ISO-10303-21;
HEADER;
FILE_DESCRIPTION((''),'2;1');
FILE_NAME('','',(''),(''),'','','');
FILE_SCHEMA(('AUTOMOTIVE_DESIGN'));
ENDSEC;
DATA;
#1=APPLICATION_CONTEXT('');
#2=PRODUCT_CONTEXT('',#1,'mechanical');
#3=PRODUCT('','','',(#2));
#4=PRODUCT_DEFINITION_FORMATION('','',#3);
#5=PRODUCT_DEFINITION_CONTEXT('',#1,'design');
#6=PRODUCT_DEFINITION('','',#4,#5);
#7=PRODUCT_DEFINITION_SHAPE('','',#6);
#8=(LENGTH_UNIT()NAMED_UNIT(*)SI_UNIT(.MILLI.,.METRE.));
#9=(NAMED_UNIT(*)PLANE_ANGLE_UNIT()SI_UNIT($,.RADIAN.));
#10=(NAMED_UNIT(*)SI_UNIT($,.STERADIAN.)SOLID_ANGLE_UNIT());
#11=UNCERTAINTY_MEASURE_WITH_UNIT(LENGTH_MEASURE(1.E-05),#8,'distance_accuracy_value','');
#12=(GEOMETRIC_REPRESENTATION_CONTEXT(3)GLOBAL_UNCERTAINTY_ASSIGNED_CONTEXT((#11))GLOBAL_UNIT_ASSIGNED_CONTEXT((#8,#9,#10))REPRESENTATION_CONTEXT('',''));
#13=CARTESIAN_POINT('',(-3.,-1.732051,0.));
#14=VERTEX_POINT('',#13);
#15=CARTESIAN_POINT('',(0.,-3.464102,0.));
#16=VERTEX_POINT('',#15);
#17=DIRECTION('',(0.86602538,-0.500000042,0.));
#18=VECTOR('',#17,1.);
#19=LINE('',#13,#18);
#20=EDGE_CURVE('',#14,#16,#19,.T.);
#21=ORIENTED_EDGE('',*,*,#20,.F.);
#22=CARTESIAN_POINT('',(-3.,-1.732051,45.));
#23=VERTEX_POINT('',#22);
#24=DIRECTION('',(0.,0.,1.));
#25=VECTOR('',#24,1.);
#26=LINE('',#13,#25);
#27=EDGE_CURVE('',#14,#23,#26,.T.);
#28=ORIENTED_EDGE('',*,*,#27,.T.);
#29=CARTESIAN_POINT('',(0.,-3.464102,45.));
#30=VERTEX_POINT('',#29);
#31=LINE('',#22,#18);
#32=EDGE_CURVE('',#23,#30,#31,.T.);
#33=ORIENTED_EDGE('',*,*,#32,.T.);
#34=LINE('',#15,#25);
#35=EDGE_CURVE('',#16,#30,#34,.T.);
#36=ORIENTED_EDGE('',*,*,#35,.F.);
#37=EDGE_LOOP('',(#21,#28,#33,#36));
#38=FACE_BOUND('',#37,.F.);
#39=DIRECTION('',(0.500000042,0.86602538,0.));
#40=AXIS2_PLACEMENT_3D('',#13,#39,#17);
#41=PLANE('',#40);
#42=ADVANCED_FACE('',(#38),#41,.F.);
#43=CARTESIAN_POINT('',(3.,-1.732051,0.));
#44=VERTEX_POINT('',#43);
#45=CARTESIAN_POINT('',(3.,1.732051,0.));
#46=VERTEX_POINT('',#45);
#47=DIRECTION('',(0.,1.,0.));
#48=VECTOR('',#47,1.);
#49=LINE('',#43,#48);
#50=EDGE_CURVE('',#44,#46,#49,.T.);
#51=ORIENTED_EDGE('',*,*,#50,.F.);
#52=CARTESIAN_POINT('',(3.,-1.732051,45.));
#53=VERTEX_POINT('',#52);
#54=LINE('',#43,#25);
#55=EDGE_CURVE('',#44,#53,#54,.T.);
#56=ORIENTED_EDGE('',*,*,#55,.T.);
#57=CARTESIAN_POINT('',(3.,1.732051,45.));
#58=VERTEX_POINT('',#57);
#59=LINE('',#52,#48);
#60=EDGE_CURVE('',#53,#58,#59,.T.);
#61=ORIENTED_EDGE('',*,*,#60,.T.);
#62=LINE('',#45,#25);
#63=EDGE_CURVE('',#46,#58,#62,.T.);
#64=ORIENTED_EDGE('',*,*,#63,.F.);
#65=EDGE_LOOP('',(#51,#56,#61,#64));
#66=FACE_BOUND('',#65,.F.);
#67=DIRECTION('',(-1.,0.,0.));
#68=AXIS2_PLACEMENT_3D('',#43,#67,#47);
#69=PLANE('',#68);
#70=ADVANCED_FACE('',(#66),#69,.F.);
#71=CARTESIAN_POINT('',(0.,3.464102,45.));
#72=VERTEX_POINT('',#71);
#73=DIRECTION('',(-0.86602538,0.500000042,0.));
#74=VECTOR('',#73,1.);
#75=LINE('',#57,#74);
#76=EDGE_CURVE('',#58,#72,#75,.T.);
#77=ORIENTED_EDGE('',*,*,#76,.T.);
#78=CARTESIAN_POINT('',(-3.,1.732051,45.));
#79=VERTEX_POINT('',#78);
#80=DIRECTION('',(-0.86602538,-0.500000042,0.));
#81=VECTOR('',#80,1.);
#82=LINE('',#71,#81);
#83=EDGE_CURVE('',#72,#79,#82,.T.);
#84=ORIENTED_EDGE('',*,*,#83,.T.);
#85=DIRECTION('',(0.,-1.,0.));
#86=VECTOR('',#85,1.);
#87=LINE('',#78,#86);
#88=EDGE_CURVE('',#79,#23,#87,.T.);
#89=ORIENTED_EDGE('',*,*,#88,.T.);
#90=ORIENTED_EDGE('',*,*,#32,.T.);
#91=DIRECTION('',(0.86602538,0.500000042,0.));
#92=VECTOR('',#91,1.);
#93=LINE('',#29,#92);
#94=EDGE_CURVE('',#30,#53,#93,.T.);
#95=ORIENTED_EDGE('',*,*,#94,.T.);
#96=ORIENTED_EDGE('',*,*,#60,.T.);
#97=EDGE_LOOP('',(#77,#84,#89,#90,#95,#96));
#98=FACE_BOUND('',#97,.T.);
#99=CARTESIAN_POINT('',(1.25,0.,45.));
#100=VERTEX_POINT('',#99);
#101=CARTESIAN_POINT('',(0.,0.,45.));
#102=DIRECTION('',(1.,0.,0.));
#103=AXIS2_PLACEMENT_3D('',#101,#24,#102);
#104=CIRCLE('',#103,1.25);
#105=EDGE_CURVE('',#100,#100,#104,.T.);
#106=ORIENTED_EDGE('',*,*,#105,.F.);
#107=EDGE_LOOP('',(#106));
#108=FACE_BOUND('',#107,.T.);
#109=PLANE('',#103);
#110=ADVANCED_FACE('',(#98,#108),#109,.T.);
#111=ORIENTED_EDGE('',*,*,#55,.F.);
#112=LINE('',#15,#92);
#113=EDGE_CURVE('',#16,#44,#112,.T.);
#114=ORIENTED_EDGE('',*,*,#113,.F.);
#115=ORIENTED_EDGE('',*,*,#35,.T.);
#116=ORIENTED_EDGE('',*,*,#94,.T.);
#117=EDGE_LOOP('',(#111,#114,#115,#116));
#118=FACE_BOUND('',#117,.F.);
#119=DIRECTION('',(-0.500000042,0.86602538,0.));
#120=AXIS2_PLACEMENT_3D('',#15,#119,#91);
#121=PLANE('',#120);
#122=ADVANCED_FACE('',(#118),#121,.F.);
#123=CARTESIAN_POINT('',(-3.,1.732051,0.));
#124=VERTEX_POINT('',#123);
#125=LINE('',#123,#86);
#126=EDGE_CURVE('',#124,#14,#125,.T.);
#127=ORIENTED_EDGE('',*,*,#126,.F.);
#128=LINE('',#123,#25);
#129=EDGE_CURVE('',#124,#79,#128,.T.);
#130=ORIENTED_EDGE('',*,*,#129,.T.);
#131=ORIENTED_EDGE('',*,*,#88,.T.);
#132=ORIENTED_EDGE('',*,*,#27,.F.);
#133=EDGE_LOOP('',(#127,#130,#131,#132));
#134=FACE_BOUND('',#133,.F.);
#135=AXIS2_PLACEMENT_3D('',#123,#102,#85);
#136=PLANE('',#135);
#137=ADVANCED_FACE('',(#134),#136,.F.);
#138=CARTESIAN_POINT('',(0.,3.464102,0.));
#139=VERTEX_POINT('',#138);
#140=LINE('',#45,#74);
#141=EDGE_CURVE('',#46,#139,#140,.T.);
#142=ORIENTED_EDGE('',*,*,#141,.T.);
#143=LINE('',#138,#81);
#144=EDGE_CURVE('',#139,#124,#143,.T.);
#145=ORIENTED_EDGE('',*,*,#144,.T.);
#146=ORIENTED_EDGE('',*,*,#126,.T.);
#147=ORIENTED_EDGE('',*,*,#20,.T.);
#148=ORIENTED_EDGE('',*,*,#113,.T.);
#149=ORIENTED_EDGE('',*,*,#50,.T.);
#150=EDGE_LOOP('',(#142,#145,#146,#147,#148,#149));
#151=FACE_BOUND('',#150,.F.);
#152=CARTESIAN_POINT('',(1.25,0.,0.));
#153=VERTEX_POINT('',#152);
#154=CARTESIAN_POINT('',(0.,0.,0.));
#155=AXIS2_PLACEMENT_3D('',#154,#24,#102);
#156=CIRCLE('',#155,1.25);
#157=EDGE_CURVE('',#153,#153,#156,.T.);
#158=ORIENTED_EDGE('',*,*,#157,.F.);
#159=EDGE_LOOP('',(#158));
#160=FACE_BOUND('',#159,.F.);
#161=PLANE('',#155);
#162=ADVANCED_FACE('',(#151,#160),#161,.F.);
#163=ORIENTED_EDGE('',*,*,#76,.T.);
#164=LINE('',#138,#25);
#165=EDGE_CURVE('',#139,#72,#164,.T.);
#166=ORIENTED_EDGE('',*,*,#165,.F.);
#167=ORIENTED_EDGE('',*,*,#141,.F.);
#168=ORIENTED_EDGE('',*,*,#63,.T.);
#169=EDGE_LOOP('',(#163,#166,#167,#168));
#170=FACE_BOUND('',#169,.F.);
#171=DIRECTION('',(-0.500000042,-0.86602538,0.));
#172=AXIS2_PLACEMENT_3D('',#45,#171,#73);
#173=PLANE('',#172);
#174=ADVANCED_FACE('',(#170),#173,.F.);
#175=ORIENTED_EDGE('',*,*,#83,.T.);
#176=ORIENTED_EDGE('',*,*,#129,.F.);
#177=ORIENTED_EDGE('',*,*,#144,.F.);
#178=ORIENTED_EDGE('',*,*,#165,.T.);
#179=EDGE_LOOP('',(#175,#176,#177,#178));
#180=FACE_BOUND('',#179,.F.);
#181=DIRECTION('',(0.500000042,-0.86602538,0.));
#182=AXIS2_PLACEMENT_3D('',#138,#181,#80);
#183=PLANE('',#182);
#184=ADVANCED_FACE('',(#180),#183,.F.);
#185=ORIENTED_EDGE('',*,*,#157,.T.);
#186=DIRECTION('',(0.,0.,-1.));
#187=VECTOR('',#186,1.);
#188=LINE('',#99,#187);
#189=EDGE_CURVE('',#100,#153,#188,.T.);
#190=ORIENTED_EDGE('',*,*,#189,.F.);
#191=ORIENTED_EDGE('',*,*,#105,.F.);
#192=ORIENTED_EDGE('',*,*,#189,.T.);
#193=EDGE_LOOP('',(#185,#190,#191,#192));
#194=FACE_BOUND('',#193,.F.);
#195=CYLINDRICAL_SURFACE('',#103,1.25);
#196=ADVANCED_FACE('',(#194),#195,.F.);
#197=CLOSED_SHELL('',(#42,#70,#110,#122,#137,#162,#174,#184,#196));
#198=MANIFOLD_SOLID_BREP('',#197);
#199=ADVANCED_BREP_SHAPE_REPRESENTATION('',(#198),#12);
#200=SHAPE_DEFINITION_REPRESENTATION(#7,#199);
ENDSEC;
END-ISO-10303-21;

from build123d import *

# Parameters (mm, degrees)
PAD_DEPTH   = 45
SKETCH001_R = 1.25
HOLE_DEPTH  = 45.001


with BuildPart() as part:
    # Sketch → Pad (new body)
    with BuildSketch(Plane.XY):
        Polygon((-3, -1.732051), (0, -3.464102), (3, -1.732051), (3, 1.732051), (0, 3.464102), (-3, 1.732051), align=None)
    extrude(amount=PAD_DEPTH)

    # Sketch001 (on Face8 of Pad) → Hole (cut, through all)
    with BuildSketch(Plane.XY.offset(45)):
        Circle(SKETCH001_R)
    extrude(amount=-HOLE_DEPTH, mode=Mode.SUBTRACT)


solid = part.part
